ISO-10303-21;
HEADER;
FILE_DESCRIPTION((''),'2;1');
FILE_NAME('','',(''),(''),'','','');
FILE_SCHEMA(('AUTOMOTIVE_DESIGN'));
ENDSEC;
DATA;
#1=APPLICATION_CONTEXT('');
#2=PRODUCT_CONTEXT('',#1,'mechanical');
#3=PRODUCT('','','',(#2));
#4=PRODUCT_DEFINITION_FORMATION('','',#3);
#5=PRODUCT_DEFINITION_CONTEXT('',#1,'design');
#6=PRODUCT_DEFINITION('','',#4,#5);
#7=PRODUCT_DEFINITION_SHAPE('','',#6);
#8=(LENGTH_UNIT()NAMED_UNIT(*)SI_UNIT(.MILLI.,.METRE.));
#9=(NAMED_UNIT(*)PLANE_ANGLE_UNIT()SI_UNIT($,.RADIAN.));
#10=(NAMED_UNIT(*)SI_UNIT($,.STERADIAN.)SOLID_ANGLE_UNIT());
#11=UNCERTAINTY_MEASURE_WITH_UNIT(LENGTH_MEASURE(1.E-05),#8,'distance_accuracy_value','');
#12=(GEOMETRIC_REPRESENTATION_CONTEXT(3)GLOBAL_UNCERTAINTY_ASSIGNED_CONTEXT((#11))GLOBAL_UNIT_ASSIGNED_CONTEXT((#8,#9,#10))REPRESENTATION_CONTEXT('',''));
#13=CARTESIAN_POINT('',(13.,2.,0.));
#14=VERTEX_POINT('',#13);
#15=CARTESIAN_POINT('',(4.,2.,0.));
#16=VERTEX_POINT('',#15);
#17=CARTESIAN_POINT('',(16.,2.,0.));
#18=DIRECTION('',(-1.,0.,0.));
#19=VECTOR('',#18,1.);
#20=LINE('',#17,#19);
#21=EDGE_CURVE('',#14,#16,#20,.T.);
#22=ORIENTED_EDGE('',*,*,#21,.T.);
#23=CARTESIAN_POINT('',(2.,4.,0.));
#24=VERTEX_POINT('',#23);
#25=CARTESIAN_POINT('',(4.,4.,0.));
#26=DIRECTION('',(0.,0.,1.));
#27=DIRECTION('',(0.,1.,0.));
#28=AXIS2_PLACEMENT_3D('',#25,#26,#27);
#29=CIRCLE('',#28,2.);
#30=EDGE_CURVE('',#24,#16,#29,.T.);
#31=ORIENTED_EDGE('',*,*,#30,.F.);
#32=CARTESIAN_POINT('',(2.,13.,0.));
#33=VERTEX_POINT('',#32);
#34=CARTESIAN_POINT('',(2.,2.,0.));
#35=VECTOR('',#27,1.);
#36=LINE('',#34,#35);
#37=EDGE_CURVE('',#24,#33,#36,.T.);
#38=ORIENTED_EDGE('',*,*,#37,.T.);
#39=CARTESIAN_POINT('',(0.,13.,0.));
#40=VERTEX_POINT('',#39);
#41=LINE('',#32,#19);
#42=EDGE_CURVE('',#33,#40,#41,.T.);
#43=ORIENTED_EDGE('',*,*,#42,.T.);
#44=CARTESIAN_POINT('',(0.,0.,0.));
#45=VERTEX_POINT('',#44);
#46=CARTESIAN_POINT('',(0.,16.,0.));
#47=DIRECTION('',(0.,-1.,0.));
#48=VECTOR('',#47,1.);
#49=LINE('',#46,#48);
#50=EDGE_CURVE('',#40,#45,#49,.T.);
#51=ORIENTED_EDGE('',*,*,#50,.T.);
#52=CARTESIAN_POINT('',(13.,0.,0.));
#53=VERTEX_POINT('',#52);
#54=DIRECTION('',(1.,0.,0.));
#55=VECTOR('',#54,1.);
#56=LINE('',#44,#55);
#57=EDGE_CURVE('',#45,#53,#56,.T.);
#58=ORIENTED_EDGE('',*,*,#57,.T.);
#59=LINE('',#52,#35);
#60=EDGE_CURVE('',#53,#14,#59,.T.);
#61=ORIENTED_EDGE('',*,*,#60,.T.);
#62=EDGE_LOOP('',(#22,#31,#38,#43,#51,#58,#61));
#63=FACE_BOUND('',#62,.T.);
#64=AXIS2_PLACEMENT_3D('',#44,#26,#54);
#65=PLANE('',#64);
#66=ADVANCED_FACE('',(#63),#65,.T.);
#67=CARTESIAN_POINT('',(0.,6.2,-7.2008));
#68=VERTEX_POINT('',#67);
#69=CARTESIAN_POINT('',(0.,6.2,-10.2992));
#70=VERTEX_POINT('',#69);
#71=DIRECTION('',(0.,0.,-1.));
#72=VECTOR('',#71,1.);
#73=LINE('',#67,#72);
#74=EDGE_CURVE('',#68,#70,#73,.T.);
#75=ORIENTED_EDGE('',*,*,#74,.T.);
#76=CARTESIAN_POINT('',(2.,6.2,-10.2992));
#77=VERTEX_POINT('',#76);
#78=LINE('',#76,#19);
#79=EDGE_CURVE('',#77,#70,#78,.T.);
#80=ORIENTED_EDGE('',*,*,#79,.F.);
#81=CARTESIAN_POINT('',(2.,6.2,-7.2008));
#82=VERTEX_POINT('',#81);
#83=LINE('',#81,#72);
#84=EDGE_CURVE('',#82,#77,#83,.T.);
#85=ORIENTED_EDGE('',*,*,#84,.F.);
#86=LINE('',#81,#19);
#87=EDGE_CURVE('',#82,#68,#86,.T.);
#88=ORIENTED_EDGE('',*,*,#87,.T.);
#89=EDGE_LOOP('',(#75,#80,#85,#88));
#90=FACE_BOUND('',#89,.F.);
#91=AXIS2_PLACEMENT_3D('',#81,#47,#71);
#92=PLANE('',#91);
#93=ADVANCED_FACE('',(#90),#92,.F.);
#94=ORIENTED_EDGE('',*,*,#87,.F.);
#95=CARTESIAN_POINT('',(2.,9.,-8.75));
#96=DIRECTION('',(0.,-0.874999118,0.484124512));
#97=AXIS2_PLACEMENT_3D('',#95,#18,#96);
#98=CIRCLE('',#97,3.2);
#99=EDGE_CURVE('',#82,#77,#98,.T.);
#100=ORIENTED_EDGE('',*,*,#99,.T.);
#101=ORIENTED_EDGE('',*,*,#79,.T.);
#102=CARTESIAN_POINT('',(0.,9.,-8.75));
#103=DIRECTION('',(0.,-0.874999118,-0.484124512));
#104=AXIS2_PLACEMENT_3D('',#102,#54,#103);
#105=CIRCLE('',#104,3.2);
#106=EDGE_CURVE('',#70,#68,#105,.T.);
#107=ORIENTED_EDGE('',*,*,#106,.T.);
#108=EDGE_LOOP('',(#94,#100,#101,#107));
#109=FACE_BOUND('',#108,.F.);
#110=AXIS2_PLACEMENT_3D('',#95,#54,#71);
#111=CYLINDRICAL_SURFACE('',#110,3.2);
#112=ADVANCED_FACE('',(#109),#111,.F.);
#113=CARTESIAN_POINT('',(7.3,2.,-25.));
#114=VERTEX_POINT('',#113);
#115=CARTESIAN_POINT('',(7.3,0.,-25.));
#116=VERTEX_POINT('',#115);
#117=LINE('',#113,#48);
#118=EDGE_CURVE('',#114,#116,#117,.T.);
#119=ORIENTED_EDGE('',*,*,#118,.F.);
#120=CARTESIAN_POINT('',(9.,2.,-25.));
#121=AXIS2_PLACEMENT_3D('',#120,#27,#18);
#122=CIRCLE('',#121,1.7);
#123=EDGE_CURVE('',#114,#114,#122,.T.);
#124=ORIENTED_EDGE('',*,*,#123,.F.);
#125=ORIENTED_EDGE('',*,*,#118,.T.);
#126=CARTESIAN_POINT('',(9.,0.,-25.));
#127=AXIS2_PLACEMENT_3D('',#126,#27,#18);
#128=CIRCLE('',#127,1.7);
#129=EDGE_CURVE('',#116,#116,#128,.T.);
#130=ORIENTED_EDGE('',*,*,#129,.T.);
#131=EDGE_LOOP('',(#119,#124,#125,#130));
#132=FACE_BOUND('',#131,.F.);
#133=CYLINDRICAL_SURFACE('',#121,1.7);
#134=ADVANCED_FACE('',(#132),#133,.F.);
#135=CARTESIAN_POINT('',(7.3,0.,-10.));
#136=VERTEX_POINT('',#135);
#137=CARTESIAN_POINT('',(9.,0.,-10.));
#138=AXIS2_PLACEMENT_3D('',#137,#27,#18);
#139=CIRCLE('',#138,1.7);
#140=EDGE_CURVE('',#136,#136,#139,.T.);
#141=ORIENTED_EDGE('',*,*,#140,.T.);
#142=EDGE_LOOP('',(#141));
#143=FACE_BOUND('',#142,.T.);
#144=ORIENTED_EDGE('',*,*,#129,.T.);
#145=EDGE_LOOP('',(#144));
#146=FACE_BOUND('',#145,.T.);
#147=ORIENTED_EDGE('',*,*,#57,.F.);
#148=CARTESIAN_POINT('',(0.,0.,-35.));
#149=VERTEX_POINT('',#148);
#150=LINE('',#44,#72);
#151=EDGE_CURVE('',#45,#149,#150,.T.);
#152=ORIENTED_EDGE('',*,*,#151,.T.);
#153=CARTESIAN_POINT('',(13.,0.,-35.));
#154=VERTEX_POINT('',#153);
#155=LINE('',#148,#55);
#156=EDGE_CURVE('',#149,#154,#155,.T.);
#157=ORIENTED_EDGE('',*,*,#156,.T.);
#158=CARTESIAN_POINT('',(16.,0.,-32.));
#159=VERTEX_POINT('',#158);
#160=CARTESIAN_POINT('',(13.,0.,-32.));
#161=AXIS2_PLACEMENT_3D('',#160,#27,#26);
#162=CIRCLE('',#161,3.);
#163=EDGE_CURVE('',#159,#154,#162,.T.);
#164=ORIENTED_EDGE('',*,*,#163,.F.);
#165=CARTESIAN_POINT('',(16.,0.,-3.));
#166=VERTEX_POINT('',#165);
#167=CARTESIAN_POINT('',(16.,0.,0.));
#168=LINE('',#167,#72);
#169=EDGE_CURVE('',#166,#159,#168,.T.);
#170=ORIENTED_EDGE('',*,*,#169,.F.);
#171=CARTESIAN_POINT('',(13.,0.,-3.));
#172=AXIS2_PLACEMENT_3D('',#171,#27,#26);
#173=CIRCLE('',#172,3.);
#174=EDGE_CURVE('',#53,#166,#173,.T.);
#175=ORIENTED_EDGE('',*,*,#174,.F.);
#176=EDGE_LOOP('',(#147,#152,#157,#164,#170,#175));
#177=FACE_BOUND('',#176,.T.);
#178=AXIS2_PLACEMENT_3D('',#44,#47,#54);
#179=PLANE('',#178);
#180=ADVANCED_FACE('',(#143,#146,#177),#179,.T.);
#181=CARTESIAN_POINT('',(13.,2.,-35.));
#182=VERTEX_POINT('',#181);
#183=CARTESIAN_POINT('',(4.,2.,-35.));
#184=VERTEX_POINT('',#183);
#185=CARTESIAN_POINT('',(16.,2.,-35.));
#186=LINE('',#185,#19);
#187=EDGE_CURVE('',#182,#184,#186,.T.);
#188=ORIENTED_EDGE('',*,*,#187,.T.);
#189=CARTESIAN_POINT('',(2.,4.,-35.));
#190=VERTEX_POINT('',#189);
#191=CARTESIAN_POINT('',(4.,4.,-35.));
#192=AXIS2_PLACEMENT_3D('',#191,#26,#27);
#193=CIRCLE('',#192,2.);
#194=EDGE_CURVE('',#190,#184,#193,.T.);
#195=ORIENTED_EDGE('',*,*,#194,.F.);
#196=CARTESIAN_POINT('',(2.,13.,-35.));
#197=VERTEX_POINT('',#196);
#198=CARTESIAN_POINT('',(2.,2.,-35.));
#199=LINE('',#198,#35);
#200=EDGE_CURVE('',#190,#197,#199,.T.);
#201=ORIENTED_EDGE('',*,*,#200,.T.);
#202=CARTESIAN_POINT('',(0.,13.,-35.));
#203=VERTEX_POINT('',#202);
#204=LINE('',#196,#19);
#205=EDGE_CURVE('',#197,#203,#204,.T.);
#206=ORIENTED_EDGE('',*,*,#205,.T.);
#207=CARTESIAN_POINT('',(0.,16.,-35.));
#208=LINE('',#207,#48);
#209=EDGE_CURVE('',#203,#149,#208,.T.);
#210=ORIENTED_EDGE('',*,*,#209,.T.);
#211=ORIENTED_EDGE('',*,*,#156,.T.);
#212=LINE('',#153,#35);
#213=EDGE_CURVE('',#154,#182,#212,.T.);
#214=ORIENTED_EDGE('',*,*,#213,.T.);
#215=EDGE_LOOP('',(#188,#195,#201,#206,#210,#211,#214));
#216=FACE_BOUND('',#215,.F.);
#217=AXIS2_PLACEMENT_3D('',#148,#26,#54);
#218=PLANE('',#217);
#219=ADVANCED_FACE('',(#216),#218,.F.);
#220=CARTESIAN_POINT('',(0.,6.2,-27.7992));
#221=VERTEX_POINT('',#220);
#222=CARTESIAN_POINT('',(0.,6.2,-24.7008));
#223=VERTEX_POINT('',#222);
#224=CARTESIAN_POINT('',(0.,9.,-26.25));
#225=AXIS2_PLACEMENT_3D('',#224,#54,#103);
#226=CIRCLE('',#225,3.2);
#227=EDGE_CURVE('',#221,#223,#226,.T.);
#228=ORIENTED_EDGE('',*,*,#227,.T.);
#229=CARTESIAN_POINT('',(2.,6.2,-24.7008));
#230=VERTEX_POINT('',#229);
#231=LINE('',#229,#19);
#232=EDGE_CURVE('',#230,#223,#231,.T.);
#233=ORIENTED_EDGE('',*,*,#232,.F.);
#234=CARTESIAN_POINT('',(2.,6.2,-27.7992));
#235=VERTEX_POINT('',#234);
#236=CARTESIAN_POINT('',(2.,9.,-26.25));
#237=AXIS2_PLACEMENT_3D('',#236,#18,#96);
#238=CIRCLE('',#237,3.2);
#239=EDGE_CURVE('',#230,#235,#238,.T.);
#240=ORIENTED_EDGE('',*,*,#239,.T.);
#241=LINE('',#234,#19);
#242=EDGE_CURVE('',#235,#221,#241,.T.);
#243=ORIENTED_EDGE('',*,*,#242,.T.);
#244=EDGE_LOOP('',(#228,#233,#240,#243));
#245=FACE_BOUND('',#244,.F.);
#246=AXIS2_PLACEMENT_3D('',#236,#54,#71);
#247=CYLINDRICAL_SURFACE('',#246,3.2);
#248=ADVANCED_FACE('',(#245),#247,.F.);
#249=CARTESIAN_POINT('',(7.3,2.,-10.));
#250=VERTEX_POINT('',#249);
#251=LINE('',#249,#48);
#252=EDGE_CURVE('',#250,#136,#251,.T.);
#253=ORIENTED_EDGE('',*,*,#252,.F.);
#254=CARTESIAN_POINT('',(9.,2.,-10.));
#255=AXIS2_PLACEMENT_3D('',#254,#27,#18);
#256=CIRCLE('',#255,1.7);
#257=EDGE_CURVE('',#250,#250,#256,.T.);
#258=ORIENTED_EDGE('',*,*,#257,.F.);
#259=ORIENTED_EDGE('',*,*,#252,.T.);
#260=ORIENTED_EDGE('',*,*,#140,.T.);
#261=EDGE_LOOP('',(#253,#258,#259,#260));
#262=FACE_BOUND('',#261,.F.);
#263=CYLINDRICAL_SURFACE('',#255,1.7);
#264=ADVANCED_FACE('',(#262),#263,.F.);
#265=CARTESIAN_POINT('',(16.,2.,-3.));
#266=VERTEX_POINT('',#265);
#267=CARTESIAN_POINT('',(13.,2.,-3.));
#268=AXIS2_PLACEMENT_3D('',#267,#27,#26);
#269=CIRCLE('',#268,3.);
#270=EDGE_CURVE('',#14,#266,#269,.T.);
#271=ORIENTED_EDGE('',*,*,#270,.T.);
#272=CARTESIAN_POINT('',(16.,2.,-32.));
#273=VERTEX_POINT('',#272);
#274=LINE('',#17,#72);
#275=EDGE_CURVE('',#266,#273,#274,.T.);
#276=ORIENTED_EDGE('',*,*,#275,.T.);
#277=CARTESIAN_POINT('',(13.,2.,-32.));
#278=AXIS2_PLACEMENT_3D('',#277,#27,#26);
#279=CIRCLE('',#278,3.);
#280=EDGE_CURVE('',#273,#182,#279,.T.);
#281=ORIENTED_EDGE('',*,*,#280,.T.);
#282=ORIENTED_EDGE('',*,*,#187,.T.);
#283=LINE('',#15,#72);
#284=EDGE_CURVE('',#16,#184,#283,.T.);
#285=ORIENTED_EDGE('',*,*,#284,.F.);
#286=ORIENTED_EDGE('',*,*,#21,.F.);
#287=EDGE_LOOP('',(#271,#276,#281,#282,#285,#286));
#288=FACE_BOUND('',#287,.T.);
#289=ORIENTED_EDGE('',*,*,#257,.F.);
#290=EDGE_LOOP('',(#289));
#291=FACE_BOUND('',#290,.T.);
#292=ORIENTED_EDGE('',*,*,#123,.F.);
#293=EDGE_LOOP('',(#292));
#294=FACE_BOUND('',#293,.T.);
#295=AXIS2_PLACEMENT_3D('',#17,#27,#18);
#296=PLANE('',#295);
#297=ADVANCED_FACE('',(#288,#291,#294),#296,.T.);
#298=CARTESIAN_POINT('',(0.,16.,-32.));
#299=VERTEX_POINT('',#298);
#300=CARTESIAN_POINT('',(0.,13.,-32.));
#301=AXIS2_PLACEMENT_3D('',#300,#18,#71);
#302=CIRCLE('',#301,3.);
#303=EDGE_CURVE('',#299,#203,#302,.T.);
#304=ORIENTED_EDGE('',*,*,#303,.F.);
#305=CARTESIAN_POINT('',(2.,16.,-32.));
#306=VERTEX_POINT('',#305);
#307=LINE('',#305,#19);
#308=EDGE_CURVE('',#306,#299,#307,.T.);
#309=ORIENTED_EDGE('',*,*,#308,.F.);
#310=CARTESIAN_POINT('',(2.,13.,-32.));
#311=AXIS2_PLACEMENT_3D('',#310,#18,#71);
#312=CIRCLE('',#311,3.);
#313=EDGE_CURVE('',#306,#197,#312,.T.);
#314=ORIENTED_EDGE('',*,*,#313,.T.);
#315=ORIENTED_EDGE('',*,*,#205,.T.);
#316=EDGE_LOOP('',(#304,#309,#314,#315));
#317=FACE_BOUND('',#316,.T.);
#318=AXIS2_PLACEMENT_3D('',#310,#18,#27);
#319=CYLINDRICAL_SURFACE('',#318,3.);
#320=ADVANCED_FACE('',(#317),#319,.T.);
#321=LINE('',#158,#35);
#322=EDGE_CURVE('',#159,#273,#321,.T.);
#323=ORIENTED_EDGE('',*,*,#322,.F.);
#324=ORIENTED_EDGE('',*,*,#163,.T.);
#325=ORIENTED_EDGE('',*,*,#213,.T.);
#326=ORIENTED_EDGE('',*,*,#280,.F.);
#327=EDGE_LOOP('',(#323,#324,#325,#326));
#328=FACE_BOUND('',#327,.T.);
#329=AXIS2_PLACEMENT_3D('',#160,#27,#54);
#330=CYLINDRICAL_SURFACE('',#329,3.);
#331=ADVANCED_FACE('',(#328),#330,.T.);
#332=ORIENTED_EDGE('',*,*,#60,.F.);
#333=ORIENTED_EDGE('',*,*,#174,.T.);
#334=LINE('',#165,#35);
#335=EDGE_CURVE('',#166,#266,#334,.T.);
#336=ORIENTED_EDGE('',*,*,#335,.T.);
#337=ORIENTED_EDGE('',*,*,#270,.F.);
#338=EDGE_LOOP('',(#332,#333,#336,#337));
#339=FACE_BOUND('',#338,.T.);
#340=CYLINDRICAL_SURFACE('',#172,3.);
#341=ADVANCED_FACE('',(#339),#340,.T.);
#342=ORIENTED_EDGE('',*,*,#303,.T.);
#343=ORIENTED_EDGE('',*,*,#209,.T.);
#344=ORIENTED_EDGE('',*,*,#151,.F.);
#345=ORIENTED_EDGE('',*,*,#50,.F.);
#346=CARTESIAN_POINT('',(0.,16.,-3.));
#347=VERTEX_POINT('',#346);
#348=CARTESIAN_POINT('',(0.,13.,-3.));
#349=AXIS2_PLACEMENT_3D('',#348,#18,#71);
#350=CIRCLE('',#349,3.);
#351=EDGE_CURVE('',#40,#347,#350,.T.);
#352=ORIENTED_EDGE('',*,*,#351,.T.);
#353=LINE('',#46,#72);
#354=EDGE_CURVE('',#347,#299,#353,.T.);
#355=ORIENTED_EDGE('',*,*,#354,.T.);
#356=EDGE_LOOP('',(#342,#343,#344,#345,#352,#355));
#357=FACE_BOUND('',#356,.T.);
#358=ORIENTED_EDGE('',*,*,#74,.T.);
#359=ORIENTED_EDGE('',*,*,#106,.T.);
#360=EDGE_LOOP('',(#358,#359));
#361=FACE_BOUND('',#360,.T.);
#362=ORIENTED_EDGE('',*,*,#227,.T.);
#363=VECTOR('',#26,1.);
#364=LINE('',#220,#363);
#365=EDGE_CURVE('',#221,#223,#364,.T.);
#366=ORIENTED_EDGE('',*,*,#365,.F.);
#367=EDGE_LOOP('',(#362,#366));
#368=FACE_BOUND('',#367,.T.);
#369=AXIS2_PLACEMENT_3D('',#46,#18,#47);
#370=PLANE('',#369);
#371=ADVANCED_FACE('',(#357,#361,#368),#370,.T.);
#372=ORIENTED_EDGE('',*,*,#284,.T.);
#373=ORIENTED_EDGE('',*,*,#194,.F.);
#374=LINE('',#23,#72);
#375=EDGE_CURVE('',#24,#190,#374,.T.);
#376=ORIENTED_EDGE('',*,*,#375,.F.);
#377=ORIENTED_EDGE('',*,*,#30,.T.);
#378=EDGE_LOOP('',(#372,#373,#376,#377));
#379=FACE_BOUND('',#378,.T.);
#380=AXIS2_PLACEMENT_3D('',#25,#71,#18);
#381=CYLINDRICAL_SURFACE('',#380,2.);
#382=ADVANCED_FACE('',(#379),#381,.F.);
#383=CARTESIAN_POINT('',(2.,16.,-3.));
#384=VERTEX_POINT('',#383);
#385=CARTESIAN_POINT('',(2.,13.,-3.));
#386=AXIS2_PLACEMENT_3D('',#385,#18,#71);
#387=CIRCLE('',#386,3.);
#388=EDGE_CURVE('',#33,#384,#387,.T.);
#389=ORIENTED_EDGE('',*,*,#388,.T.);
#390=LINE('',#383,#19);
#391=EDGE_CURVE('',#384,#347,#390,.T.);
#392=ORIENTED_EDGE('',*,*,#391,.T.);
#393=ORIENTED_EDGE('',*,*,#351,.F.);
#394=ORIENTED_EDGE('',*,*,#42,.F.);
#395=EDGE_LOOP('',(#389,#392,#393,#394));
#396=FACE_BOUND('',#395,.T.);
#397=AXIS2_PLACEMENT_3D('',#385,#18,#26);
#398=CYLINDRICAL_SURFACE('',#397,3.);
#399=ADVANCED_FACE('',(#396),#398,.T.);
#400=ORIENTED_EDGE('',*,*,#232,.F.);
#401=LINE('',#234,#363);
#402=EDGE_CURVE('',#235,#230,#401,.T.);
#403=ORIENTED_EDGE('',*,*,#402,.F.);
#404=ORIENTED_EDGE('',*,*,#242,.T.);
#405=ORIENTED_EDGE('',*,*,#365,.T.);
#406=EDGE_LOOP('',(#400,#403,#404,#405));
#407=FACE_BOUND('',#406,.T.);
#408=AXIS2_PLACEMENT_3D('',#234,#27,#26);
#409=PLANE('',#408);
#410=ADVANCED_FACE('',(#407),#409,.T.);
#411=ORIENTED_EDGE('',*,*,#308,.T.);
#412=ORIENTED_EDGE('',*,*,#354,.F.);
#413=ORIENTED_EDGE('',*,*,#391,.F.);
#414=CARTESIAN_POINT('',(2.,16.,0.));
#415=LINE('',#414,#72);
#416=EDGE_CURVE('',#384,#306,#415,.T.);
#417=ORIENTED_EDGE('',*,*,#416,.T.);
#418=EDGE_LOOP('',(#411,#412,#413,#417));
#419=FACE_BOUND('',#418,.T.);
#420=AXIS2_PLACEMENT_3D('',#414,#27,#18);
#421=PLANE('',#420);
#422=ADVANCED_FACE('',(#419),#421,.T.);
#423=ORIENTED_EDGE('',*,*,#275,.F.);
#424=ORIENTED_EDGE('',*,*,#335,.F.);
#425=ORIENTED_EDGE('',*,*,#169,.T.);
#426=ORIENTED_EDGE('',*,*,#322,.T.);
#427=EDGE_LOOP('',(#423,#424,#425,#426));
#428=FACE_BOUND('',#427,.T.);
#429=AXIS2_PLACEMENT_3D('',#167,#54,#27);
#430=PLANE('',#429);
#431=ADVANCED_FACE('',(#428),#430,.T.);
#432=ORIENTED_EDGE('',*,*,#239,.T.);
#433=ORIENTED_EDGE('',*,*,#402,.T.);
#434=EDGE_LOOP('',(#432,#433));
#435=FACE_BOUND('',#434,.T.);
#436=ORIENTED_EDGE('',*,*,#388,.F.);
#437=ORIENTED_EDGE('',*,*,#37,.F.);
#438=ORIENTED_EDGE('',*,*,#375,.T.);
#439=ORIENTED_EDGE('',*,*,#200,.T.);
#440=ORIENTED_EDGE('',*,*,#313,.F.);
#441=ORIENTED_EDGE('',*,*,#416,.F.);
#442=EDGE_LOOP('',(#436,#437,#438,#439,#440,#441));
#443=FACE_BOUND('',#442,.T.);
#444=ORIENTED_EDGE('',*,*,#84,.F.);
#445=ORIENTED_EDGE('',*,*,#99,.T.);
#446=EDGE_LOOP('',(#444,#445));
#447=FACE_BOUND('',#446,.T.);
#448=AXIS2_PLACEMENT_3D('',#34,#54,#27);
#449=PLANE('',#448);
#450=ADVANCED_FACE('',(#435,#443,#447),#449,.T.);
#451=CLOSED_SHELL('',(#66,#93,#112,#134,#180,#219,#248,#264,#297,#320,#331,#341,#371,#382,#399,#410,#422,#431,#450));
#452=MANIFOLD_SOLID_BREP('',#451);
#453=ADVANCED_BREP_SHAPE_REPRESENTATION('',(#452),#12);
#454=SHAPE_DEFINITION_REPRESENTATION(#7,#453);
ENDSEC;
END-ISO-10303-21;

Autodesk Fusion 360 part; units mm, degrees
sketch "Sketch1" plane through (0, 0, 0) normal (0, 0, 1) x (1, 0, 0)
  line L0 (0, 0) -> (16, 0)
  line L1 (16, 0) -> (16, 2)
  line L2 (16, 2) -> (2, 2)
  line L3 (2, 2) -> (2, 16)
  line L4 (2, 16) -> (0, 16)
  line L5 (0, 16) -> (0, 0)
  dimension "d1" = 16
  dimension "d2" = 16
  dimension "d3" = 2
  dimension "d4" = 2
extrude "Extrude1" add sketch "Sketch1" against normal blind 35
sketch "Sketch2" plane through (0, 2, 0) normal (0, 1, 0) x (-1, 0, 0)
  line L0 (-2, 0) -> (-16, 0)
  line L1 (-16, 0) -> (-16, -35)
  line L2 (-16, -35) -> (-2, -35)
  line L3 (-2, -35) -> (-2, 0)
  line L4 (-9, -35) -> (-9, 0) construction
  line L5 (-16, -17.5) -> (-2, -17.5) construction
  circle A0 centre (-9, -10) radius 1.7
  circle A1 centre (-9, -25) radius 1.7
  dimension "d7" = 3.4
  dimension "d19" = 7.5
extrude "Extrude2" cut sketch "Sketch2" against normal blind 2 contours A0 | A1
sketch "Sketch3" plane through (2, 0, 0) normal (1, 0, 0) x (0, 0, -1)
  line L0 (0, 16) -> (0, 2)
  line L1 (0, 2) -> (35, 2)
  line L2 (35, 2) -> (35, 16)
  line L3 (35, 16) -> (0, 16)
  line L4 (17.5, 16) -> (17.5, 2) construction
  line L5 (0, 9) -> (35, 9) construction
  circle A0 centre (8.75, 9) radius 3.2
  line L6 (0, 12.2) -> (35, 12.2) construction
  line L7 (0, 6.2) -> (35, 6.2) construction
  line L8 (7.2008, 6.2) -> (10.2992, 6.2)
  circle A1 centre (26.25, 9) radius 3.2
  line L9 (27.7992, 6.2) -> (24.7008, 6.2)
  dimension "d10" = 6.4
  dimension "d11" = 6
  dimension "d12" = 8.75
extrude "Extrude3" cut sketch "Sketch3" against normal blind 2 contours A0 L8 | A1 L9 picked at (8.5695, 8.1846) picked at (27.2186, 9.3965)
fillet "Fillet1" radius 2 1 edges at (2, 2, -17.5)
fillet "Fillet2" radius 3 4 edges at (1, 16, -35) (1, 16, 0) (16, 1, 0) (16, 1, -35)
equation "d12 = ( 17.5 / 2 ) * 1 mm"
equation "d19 = ( 15 / 2 ) * 1 mm"
